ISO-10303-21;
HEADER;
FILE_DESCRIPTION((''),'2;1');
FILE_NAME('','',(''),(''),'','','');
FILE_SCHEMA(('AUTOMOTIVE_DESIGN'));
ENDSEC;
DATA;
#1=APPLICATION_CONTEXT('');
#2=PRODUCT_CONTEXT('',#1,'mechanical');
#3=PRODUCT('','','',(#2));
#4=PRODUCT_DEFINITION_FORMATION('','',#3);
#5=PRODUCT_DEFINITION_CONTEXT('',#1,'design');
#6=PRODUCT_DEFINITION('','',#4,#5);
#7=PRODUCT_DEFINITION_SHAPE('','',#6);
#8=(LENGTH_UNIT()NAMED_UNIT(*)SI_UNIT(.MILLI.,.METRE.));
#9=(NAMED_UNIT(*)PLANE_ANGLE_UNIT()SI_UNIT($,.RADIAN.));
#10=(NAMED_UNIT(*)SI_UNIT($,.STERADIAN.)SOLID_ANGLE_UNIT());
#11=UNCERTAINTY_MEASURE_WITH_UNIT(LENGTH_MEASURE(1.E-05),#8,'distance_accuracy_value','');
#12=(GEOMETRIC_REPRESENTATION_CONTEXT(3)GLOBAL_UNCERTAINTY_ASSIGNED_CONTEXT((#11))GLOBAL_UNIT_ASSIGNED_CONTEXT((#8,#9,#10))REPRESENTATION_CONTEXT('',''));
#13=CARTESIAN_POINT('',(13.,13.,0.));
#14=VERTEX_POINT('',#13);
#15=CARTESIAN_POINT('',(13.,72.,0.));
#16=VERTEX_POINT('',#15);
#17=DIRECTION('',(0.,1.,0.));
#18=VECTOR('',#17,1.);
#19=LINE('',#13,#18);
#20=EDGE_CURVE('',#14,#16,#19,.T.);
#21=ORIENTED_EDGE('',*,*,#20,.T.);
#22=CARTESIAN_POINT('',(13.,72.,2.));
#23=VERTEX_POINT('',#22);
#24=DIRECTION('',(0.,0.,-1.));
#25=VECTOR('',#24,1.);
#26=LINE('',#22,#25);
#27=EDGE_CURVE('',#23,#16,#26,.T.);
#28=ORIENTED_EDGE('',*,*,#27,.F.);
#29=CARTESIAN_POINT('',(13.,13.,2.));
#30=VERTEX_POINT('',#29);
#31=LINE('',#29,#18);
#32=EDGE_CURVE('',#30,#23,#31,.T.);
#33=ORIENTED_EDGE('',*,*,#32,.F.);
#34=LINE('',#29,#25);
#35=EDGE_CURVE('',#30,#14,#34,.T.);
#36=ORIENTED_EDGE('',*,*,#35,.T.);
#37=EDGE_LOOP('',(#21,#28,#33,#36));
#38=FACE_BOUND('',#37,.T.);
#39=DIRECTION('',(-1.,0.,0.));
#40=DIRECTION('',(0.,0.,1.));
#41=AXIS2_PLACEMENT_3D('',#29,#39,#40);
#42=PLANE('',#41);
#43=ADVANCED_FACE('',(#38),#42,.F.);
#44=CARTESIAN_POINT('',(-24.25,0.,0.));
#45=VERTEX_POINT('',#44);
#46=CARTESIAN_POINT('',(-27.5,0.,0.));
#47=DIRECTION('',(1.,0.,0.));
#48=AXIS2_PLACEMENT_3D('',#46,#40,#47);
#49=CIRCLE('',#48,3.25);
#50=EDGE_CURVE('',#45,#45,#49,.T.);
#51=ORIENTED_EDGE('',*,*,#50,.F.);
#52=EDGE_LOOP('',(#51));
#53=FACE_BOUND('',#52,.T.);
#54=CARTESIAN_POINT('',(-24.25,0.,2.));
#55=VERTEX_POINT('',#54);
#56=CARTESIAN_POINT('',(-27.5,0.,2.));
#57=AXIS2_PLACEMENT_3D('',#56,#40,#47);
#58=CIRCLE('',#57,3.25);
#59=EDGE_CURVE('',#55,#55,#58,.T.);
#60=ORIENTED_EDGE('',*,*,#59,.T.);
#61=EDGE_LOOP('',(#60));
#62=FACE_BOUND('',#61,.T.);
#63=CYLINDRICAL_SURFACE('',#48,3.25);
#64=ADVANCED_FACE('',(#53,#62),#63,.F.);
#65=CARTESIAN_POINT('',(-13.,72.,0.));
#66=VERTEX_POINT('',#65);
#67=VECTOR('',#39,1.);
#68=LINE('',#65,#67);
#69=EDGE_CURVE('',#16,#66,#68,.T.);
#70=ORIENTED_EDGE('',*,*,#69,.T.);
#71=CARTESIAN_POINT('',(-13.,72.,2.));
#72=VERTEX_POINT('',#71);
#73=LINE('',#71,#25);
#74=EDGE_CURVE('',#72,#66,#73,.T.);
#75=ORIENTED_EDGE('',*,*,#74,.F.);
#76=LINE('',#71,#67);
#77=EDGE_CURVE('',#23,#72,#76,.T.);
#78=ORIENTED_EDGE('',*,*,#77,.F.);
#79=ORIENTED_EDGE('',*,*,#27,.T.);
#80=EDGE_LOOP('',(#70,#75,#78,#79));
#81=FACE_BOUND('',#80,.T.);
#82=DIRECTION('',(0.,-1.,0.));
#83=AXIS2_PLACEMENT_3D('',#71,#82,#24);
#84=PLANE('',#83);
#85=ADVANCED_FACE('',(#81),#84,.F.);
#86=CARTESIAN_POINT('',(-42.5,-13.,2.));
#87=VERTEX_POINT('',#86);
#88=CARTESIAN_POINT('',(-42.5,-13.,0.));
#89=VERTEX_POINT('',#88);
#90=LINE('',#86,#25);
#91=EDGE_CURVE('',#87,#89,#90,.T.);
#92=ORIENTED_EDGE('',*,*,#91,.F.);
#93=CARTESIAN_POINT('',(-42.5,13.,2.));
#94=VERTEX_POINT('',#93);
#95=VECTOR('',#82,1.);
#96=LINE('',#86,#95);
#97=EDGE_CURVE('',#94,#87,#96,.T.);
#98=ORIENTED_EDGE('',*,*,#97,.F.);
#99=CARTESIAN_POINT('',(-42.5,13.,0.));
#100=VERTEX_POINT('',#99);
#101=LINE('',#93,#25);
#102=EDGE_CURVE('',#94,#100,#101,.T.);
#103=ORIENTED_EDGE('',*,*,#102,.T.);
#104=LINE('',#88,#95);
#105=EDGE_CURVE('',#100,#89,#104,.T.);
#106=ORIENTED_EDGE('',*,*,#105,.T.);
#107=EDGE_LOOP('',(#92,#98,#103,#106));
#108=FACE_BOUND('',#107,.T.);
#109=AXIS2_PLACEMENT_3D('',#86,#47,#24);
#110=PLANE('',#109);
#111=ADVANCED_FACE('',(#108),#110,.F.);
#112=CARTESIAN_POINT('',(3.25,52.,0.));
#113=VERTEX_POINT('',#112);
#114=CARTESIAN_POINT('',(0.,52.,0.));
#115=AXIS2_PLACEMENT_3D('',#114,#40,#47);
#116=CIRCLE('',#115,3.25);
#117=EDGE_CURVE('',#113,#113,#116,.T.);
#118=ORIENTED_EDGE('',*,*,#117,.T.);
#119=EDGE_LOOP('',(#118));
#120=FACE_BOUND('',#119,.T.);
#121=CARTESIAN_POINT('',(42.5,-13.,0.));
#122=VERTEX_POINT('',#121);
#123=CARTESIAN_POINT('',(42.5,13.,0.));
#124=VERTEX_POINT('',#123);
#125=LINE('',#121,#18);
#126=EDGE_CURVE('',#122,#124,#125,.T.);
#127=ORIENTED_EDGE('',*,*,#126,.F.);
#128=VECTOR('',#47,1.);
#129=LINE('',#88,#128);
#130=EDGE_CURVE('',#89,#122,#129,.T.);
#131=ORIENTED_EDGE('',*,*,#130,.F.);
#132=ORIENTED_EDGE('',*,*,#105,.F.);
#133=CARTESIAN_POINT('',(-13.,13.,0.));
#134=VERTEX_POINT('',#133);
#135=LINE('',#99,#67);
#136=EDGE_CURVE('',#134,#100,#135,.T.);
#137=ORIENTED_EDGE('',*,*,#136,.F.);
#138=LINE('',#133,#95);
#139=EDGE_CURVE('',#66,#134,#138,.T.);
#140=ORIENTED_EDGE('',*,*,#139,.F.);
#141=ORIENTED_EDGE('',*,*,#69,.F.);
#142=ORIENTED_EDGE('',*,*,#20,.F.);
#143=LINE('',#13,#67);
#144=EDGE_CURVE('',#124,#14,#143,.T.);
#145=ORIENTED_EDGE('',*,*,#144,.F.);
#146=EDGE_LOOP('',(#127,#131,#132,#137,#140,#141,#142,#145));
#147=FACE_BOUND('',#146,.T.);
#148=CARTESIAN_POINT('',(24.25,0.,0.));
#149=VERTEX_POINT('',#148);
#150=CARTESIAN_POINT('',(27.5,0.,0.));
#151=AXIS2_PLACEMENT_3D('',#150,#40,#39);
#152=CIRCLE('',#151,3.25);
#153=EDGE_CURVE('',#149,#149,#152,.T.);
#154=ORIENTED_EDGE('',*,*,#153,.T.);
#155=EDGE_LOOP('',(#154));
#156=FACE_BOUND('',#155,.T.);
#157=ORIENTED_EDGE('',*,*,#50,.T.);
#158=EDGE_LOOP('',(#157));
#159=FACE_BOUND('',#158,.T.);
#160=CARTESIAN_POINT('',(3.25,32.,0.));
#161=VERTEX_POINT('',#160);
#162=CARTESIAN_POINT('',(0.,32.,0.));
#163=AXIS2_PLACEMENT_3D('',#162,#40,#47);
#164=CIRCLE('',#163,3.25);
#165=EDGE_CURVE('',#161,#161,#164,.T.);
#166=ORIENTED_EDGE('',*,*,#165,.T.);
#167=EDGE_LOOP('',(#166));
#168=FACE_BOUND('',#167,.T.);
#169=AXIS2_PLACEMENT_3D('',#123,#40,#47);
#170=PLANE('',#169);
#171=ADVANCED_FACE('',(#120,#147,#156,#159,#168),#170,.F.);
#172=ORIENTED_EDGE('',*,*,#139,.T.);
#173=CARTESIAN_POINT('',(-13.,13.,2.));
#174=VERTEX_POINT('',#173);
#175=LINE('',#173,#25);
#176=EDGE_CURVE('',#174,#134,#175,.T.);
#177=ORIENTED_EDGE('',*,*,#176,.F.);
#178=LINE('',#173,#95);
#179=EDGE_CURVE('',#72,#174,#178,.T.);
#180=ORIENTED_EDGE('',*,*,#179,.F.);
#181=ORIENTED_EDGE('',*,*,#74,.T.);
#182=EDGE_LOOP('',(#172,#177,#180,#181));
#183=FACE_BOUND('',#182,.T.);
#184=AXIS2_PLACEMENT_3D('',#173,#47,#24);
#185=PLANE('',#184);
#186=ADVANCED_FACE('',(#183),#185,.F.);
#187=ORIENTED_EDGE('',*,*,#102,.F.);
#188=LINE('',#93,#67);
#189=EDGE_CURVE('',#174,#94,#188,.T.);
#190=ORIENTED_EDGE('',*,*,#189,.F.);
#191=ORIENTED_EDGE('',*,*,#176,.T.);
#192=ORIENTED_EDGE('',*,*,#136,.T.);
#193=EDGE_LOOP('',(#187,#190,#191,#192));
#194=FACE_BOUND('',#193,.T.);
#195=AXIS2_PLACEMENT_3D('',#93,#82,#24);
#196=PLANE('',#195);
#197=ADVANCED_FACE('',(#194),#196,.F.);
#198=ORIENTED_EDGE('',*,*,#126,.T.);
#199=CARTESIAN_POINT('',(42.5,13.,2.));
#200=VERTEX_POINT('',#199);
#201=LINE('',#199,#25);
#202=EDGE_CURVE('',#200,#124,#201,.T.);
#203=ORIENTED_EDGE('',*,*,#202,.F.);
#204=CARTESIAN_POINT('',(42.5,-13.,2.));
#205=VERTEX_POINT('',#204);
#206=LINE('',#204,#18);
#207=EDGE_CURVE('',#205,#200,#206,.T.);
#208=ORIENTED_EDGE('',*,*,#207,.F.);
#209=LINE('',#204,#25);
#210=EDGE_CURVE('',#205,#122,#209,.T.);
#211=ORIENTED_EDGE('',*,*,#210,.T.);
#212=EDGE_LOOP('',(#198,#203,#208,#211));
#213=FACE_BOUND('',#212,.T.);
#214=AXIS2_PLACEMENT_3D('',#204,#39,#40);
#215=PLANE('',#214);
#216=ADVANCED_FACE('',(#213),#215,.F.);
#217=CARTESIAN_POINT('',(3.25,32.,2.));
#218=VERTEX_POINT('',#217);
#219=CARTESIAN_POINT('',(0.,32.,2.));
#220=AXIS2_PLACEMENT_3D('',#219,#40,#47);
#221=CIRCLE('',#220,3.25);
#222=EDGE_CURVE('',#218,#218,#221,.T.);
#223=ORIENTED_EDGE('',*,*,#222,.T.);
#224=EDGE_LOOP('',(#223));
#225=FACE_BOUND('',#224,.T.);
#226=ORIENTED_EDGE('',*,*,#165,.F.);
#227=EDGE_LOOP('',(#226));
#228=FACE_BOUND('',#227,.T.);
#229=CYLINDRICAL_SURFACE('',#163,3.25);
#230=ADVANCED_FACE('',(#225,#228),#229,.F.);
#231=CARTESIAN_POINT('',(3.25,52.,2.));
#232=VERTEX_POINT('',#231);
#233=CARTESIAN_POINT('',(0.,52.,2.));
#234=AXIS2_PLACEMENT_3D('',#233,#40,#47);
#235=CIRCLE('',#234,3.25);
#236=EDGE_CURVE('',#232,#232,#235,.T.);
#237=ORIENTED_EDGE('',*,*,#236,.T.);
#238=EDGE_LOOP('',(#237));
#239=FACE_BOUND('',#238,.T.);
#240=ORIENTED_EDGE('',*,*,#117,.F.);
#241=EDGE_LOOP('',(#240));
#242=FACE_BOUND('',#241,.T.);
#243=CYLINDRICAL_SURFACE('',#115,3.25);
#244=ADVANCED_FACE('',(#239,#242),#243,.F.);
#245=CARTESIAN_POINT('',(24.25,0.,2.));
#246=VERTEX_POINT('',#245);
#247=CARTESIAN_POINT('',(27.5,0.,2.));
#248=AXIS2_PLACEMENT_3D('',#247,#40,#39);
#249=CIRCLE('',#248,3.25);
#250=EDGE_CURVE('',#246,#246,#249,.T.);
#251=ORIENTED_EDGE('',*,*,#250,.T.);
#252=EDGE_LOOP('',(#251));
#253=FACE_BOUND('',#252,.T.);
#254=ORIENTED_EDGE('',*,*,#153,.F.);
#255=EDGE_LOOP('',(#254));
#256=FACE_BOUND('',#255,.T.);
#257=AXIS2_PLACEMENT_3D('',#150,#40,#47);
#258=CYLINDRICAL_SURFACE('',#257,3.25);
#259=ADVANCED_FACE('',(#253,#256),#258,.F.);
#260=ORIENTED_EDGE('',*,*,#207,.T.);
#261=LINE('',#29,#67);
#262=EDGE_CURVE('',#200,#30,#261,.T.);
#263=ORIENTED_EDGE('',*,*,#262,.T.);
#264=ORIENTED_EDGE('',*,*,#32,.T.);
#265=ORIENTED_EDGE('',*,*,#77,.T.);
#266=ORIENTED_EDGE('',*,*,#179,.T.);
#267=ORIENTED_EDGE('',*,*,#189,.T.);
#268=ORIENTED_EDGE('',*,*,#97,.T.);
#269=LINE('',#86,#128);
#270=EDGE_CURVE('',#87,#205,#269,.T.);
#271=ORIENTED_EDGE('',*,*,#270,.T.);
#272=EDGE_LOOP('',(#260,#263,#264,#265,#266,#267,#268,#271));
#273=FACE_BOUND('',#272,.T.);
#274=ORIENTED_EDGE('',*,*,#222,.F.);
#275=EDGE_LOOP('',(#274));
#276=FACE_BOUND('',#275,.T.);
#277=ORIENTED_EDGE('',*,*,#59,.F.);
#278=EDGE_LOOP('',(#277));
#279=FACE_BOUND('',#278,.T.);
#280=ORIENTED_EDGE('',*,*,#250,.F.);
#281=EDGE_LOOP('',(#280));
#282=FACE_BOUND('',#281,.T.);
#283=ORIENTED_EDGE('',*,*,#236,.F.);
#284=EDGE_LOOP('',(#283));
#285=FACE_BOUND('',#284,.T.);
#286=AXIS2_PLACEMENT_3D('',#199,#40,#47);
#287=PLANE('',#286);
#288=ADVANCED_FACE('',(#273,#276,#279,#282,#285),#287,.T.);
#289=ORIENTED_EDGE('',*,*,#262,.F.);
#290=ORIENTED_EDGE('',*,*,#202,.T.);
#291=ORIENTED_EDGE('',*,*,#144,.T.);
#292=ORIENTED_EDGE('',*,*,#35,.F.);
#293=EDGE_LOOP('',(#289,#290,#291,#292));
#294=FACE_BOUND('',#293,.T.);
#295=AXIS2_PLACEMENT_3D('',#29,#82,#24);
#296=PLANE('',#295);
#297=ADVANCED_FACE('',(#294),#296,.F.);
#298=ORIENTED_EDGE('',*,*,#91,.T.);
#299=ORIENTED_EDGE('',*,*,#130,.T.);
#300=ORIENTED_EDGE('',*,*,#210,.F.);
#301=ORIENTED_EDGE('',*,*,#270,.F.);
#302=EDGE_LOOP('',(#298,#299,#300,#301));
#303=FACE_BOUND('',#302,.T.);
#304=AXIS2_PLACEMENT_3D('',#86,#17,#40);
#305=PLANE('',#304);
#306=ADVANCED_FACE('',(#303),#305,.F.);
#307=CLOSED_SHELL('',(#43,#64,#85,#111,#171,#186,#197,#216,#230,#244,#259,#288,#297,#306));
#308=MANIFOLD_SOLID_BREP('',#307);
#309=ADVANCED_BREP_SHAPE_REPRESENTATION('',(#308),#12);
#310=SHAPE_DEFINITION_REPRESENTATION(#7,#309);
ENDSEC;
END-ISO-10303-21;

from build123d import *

# Parameters (mm, degrees)
EXTRUDE_1_DEPTH     = 2
SKETCH_2_R          = 3.25
CUT_EXTRUDE_1_DEPTH = 84.631632771


with BuildPart() as part:
    # 草图1 → 凸台-拉伸1 (new body)
    with BuildSketch(Plane.XY):
        Polygon((-42.5, -13), (42.5, -13), (42.5, 13), (13, 13), (13, 72), (-13, 72), (-13, 13), (-42.5, 13), align=None)
    extrude(amount=EXTRUDE_1_DEPTH)

    # 草图2 → 切除-拉伸1 (cut, through all)
    with BuildSketch(Plane.XY.offset(2)):
        with Locations((0, 52)):
            Circle(SKETCH_2_R)
        with Locations((0, 32)):
            Circle(SKETCH_2_R)
        with Locations((-27.5, 0)):
            Circle(SKETCH_2_R)
        with Locations(Location((27.5, 0, 0), (0, 0, 180))):
            Circle(SKETCH_2_R)
    extrude(amount=-CUT_EXTRUDE_1_DEPTH, mode=Mode.SUBTRACT)


solid = part.part
